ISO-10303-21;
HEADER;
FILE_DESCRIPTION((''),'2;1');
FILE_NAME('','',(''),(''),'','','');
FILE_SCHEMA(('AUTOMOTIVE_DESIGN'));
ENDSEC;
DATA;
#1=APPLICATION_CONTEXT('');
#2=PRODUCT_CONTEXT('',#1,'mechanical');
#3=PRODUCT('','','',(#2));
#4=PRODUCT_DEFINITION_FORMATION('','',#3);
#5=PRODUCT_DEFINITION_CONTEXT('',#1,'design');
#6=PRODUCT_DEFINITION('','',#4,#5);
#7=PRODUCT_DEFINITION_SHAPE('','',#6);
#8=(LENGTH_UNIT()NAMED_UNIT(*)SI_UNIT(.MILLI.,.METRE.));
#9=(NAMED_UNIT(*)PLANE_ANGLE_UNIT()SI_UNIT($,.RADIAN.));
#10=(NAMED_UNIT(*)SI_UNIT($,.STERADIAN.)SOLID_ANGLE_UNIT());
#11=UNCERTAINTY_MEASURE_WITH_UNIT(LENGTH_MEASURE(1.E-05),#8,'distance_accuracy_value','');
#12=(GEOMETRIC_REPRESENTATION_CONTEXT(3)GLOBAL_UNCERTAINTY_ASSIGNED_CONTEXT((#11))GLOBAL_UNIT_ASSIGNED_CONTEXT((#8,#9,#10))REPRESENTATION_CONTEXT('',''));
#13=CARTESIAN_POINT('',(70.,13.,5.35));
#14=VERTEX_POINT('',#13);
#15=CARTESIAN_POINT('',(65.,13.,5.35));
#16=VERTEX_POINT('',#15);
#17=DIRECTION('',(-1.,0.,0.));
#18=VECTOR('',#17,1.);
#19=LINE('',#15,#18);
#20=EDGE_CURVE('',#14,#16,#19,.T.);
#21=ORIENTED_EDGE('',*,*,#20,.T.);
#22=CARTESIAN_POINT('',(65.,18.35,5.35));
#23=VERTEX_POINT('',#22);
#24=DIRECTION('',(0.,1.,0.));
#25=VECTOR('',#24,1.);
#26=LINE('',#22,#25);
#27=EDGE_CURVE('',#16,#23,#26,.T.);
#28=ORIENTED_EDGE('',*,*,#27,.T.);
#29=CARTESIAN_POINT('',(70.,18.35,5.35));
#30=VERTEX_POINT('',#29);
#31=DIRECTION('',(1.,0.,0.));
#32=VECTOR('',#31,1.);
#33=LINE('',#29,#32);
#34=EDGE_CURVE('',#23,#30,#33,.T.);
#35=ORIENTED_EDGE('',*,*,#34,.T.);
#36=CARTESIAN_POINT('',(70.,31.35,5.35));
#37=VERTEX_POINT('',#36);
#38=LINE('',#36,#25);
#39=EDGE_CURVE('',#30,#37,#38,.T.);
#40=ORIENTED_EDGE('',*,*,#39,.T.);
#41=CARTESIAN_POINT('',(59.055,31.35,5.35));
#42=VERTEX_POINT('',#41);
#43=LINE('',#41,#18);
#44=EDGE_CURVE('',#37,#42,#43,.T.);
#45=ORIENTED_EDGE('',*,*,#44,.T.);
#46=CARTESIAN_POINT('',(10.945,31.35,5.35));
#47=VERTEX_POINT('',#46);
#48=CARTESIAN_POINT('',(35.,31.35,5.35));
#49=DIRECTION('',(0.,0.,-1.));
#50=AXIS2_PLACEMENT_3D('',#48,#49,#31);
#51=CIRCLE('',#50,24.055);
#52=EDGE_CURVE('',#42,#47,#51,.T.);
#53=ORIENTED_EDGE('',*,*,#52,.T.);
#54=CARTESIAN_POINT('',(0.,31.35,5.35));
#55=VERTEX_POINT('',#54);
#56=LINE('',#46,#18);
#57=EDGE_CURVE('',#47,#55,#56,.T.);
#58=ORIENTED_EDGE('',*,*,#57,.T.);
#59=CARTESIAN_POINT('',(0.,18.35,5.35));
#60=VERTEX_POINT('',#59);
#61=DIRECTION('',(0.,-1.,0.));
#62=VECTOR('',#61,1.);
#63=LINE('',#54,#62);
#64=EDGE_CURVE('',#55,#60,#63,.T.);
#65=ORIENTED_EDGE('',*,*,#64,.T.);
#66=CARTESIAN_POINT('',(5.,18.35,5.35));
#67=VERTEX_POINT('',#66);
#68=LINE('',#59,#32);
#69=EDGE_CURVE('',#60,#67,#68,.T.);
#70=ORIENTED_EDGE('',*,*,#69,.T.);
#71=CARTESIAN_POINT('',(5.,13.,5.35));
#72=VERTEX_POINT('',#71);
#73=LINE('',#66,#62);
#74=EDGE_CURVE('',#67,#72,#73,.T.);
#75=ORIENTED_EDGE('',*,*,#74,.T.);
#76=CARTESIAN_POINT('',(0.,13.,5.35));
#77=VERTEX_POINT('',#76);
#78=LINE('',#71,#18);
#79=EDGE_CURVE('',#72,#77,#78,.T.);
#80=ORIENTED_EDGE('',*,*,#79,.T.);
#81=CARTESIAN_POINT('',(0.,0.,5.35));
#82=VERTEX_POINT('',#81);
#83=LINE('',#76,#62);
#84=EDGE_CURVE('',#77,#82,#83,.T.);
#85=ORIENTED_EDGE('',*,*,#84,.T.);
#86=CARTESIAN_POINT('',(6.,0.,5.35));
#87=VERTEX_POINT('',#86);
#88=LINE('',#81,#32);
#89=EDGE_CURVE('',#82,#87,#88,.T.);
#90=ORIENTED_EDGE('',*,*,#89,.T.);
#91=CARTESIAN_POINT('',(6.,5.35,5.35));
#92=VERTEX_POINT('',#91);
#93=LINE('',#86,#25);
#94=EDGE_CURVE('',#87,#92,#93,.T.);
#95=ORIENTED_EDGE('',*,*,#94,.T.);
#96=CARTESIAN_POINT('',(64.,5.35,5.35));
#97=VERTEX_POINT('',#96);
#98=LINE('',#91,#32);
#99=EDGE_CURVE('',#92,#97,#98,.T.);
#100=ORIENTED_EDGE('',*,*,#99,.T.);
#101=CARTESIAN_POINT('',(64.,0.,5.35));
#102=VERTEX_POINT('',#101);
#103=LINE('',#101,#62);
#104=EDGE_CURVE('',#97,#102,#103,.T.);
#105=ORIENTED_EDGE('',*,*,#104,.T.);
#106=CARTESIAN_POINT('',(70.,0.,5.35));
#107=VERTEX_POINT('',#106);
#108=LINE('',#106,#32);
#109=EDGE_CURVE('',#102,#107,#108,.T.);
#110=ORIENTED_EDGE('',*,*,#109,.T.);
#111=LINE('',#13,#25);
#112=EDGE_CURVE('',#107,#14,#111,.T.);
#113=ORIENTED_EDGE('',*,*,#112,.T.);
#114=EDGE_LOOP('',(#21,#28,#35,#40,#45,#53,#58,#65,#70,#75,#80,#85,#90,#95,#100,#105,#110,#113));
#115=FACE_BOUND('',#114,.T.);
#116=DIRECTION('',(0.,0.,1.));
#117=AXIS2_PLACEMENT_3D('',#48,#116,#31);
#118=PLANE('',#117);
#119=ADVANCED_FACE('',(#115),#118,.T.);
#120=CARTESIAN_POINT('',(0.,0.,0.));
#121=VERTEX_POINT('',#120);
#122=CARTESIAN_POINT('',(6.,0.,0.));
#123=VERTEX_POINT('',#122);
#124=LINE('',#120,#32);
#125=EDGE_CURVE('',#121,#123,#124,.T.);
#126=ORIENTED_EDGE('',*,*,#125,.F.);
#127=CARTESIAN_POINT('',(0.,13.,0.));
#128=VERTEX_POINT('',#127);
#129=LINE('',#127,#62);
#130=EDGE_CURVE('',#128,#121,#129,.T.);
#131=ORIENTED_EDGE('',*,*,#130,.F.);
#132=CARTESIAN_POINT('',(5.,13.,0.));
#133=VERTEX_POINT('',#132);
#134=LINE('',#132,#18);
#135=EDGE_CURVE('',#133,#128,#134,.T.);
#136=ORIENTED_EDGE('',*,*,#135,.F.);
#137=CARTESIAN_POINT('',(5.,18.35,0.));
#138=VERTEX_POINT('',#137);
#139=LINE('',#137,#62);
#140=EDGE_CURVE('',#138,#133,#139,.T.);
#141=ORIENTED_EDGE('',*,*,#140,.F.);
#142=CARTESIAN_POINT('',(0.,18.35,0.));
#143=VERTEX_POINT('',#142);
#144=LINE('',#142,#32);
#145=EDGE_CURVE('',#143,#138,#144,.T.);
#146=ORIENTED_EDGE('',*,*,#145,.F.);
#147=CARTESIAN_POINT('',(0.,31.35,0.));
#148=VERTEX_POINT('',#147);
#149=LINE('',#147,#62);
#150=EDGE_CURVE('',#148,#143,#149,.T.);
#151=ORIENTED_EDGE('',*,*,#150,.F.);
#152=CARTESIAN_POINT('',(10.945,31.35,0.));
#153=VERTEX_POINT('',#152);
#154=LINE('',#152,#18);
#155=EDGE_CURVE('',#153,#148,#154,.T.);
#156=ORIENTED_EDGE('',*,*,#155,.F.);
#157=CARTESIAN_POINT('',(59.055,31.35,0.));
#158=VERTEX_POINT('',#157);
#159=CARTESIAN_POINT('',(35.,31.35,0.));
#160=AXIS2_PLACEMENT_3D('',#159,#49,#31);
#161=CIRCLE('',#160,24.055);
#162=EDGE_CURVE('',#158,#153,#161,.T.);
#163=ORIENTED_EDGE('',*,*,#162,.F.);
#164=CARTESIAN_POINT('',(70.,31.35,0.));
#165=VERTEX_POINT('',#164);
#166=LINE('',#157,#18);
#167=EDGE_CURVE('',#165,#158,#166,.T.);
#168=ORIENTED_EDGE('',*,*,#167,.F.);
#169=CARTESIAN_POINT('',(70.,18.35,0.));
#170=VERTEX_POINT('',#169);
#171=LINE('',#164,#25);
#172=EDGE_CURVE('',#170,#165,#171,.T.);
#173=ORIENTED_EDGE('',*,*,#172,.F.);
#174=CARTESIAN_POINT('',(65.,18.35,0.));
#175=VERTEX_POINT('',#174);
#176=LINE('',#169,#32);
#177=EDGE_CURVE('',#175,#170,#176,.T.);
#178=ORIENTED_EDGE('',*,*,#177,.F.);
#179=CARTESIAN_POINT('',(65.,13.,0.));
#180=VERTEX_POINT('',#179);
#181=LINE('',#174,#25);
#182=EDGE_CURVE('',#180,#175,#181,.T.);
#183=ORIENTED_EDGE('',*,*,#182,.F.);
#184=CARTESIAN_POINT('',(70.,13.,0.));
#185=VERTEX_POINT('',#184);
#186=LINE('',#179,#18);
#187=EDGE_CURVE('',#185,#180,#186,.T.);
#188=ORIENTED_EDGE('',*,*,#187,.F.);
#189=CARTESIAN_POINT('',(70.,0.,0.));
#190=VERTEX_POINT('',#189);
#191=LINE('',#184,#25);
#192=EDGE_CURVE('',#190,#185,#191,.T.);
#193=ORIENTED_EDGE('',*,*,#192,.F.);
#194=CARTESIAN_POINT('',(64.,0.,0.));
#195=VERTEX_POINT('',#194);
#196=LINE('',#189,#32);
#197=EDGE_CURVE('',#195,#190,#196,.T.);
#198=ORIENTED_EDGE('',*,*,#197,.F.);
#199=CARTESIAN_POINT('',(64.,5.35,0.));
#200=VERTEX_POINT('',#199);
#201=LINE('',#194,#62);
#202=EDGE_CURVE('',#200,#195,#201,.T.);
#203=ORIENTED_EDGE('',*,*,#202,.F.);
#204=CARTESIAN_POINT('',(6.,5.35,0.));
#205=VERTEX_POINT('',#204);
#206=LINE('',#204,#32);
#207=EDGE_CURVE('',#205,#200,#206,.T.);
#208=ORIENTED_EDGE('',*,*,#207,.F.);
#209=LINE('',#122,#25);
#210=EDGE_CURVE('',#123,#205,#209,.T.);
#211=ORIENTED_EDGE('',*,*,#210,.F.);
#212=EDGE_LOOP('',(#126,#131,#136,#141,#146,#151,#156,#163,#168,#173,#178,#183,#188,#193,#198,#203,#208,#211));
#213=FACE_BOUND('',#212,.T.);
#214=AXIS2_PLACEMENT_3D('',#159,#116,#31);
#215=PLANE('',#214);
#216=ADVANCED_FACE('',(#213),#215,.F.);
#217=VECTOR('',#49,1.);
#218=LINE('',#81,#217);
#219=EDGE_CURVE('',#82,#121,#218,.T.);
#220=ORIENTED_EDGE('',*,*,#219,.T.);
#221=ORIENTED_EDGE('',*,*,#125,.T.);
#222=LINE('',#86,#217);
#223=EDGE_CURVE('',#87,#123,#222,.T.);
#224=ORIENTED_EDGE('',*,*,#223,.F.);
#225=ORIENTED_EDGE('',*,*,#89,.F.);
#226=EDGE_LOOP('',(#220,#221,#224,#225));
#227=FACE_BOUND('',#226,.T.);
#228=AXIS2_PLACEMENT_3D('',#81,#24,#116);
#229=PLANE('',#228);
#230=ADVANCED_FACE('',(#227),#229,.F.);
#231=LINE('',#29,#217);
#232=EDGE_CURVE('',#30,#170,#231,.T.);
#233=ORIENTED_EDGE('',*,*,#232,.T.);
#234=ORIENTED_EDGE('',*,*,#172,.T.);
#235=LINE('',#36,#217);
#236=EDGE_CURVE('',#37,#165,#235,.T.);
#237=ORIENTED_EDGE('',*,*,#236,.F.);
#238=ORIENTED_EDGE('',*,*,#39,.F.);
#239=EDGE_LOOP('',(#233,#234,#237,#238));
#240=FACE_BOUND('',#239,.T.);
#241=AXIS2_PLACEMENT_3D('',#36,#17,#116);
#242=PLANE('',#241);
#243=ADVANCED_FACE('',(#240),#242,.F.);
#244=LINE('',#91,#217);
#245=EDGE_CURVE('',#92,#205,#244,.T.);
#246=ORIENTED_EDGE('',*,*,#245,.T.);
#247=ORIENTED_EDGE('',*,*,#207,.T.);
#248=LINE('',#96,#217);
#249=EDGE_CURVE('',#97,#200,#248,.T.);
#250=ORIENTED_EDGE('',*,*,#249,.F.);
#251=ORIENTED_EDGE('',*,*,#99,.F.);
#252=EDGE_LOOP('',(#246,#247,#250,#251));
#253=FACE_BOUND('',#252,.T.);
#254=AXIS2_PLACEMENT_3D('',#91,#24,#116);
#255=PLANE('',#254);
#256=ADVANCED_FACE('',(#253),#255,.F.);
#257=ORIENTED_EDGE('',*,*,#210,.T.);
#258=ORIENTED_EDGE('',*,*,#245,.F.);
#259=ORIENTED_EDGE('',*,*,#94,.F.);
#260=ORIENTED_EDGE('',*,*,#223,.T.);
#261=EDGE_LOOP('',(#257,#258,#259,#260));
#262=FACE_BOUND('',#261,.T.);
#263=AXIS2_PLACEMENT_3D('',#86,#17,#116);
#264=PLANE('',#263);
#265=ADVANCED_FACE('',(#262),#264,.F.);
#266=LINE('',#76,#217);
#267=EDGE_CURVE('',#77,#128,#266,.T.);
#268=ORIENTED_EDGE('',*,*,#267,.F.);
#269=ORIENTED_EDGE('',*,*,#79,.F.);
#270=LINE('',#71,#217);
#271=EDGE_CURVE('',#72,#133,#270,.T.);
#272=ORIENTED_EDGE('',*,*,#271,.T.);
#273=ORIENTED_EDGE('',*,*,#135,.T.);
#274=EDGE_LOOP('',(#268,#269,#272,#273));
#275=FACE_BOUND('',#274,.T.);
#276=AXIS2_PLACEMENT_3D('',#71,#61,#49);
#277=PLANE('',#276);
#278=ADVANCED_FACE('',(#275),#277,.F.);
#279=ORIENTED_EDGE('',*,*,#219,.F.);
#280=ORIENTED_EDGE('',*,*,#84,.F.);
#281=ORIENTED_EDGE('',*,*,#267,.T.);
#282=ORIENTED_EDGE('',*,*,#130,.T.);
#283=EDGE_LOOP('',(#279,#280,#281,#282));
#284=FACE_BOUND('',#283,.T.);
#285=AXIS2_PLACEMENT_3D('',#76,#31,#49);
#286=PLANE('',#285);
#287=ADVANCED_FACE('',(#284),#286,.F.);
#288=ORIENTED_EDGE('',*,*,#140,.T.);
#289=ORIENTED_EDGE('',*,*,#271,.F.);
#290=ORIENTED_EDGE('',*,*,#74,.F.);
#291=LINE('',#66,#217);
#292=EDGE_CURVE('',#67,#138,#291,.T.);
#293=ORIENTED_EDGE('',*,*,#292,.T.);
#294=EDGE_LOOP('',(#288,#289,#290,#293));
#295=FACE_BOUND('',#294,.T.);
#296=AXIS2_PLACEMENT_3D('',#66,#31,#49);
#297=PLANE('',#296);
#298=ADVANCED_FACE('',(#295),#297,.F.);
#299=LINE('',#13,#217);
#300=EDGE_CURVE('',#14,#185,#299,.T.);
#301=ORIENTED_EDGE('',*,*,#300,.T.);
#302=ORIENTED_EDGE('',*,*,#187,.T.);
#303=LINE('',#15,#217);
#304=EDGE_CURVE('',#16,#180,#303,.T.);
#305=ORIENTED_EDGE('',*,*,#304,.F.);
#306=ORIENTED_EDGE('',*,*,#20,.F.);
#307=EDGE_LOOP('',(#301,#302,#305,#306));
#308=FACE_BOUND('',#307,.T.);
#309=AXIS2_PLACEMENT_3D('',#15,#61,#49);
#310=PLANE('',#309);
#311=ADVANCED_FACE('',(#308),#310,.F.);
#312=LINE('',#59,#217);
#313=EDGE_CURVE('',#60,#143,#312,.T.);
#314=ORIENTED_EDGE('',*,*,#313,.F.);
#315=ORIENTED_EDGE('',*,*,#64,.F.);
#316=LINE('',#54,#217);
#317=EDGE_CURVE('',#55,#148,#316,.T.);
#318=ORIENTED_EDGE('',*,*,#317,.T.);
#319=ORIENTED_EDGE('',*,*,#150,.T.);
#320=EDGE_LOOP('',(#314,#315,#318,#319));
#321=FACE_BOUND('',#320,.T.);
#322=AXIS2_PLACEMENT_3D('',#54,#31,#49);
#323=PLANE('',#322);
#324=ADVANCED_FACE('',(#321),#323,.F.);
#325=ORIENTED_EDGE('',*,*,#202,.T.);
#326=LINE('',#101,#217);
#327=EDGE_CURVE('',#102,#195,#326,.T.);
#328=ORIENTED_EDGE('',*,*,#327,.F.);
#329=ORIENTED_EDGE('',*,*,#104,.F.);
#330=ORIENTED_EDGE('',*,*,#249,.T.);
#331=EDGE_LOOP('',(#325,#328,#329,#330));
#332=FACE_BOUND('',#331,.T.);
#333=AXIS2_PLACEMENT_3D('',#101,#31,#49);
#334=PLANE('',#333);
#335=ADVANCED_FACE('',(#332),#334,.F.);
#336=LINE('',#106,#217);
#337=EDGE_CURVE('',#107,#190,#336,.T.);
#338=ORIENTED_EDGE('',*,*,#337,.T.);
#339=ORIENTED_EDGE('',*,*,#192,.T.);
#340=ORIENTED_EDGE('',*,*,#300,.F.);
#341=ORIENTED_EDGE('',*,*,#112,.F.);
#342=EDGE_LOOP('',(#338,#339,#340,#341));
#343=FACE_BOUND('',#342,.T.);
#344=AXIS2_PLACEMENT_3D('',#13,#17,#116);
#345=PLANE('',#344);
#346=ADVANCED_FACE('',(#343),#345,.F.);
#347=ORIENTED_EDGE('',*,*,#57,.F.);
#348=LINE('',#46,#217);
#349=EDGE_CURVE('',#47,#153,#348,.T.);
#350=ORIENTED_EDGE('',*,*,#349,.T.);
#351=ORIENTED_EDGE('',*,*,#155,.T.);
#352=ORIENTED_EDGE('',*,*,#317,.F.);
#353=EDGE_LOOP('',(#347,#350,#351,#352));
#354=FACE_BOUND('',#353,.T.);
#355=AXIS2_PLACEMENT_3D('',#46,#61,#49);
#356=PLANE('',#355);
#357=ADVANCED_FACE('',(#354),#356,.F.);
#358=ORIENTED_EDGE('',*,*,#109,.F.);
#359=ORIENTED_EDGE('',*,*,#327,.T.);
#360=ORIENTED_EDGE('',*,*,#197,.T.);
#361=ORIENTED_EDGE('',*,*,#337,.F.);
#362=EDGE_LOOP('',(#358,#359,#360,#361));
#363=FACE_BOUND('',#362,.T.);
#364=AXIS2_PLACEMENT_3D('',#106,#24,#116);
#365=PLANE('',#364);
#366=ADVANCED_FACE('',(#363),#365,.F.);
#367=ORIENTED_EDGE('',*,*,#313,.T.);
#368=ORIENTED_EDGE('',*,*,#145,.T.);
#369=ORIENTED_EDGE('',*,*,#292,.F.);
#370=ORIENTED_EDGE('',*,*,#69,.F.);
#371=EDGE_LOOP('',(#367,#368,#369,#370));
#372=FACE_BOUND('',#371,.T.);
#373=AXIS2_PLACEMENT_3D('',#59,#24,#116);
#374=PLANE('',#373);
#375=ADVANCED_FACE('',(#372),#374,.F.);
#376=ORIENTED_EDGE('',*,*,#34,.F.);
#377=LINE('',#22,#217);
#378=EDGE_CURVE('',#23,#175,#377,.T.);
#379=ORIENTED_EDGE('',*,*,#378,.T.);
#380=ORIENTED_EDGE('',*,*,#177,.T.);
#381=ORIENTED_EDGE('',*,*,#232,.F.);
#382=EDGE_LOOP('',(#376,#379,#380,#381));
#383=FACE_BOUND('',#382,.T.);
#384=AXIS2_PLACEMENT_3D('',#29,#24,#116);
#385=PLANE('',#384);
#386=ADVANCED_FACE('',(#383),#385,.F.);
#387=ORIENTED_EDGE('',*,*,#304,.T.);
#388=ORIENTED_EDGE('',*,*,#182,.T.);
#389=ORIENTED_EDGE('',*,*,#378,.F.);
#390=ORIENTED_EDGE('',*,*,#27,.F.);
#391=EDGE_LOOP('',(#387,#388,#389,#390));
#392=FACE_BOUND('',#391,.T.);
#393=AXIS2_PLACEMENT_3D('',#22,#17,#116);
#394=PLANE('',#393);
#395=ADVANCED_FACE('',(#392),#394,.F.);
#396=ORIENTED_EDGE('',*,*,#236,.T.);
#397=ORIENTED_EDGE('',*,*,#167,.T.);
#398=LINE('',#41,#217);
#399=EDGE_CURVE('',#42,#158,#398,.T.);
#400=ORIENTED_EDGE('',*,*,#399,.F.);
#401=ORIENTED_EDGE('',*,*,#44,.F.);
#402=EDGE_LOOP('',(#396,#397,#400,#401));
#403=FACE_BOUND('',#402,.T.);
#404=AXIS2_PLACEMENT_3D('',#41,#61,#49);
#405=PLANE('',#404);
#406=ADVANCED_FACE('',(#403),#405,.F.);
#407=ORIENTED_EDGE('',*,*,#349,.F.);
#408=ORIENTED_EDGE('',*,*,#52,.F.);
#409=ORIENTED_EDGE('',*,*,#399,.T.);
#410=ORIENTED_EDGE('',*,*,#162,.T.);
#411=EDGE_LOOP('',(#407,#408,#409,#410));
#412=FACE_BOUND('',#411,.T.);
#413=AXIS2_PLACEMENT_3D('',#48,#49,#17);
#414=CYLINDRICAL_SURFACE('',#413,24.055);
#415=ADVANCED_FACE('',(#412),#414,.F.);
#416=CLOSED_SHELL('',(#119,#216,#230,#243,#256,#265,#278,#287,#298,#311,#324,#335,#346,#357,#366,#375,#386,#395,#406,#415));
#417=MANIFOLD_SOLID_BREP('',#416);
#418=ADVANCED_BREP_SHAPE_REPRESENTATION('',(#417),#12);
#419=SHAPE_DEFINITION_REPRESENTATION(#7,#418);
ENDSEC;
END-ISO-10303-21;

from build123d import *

# Parameters (mm, degrees)
BOSS_EXTRUDE1_DEPTH = 5.35


with BuildPart() as part:
    # Model → Boss-Extrude1 (new body)
    with BuildSketch(Plane.XY):
        with BuildLine():
            Line((59.055, 31.35), (70, 31.35))
            Line((70, 31.35), (70, 18.35))
            Line((70, 18.35), (65, 18.35))
            Line((65, 18.35), (65, 13))
            Line((65, 13), (70, 13))
            Line((70, 13), (70, 0))
            Line((70, 0), (64, 0))
            Line((64, 0), (64, 5.35))
            Line((64, 5.35), (6, 5.35))
            Line((6, 5.35), (6, 0))
            Line((6, 0), (0, 0))
            Line((0, 0), (0, 13))
            Line((0, 13), (5, 13))
            Line((5, 13), (5, 18.35))
            Line((5, 18.35), (0, 18.35))
            Line((0, 18.35), (0, 31.35))
            Line((0, 31.35), (10.945, 31.35))
            ThreePointArc((10.945, 31.35), (35, 7.295), (59.055, 31.35))
        make_face()
    extrude(amount=BOSS_EXTRUDE1_DEPTH)


solid = part.part
